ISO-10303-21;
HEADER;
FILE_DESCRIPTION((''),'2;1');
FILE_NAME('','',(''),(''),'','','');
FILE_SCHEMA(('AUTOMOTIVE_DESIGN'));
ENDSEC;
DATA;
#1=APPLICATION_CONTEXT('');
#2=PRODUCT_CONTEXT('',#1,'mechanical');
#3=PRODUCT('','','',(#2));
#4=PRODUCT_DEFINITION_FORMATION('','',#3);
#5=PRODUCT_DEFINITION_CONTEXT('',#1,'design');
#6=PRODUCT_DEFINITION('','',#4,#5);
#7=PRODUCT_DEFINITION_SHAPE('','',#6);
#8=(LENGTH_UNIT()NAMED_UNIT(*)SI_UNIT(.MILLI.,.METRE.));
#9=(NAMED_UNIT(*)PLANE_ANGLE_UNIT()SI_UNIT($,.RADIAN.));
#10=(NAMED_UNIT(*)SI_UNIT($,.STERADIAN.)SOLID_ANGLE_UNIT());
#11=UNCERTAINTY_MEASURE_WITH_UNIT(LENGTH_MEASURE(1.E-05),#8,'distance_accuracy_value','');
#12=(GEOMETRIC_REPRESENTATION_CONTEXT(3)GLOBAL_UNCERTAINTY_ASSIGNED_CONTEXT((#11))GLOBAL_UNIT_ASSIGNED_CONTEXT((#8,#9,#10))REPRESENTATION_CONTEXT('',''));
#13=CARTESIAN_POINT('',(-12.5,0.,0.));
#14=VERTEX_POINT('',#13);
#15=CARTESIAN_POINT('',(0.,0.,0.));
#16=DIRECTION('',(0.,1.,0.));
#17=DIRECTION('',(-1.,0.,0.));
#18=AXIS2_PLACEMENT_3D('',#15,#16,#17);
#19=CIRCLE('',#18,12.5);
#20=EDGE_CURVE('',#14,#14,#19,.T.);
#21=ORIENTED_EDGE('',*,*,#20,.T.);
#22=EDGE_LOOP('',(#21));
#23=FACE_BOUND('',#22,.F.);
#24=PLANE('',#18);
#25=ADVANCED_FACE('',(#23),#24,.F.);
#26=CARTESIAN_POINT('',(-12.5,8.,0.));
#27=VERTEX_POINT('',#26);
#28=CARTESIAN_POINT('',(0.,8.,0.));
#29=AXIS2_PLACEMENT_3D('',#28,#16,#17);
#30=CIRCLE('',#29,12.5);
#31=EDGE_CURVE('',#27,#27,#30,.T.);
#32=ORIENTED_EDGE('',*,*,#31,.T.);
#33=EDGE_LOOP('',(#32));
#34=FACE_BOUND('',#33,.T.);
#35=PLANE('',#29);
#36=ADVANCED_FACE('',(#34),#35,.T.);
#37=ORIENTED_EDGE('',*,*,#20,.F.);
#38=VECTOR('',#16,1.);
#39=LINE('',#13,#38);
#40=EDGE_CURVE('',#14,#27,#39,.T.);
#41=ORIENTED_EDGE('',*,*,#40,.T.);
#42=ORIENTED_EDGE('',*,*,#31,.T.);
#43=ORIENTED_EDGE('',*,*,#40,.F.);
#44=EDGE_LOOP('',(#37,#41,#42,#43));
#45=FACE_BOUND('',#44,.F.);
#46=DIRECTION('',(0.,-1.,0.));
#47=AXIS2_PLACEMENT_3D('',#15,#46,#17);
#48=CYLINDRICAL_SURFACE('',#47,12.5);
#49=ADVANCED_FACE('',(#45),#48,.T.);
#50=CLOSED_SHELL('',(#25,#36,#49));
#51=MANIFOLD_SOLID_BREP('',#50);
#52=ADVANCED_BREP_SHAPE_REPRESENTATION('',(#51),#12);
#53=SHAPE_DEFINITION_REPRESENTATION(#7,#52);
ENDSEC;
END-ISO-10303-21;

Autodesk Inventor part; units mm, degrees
ref_plane "YZ Plane" through (0, 0, 0) normal (1, 0, 0) x (0, 1, 0)
ref_plane "XZ Plane" through (0, 0, 0) normal (0, 1, 0) x (-1, 0, 0)
ref_plane "XY Plane" through (0, 0, 0) normal (0, 0, 1) x (1, 0, 0)
sketch "Sketch1" plane through (0, 0, 0) normal (0, 1, 0) x (-1, 0, 0)
  circle A0 centre (0, 0) radius 12.5
  dimension "d2" = 8
  dimension "d4" = 25
extrude "Extrusion1" add sketch "Sketch1" along normal blind 8
properties part number "00_Lambda_2_Plate"
